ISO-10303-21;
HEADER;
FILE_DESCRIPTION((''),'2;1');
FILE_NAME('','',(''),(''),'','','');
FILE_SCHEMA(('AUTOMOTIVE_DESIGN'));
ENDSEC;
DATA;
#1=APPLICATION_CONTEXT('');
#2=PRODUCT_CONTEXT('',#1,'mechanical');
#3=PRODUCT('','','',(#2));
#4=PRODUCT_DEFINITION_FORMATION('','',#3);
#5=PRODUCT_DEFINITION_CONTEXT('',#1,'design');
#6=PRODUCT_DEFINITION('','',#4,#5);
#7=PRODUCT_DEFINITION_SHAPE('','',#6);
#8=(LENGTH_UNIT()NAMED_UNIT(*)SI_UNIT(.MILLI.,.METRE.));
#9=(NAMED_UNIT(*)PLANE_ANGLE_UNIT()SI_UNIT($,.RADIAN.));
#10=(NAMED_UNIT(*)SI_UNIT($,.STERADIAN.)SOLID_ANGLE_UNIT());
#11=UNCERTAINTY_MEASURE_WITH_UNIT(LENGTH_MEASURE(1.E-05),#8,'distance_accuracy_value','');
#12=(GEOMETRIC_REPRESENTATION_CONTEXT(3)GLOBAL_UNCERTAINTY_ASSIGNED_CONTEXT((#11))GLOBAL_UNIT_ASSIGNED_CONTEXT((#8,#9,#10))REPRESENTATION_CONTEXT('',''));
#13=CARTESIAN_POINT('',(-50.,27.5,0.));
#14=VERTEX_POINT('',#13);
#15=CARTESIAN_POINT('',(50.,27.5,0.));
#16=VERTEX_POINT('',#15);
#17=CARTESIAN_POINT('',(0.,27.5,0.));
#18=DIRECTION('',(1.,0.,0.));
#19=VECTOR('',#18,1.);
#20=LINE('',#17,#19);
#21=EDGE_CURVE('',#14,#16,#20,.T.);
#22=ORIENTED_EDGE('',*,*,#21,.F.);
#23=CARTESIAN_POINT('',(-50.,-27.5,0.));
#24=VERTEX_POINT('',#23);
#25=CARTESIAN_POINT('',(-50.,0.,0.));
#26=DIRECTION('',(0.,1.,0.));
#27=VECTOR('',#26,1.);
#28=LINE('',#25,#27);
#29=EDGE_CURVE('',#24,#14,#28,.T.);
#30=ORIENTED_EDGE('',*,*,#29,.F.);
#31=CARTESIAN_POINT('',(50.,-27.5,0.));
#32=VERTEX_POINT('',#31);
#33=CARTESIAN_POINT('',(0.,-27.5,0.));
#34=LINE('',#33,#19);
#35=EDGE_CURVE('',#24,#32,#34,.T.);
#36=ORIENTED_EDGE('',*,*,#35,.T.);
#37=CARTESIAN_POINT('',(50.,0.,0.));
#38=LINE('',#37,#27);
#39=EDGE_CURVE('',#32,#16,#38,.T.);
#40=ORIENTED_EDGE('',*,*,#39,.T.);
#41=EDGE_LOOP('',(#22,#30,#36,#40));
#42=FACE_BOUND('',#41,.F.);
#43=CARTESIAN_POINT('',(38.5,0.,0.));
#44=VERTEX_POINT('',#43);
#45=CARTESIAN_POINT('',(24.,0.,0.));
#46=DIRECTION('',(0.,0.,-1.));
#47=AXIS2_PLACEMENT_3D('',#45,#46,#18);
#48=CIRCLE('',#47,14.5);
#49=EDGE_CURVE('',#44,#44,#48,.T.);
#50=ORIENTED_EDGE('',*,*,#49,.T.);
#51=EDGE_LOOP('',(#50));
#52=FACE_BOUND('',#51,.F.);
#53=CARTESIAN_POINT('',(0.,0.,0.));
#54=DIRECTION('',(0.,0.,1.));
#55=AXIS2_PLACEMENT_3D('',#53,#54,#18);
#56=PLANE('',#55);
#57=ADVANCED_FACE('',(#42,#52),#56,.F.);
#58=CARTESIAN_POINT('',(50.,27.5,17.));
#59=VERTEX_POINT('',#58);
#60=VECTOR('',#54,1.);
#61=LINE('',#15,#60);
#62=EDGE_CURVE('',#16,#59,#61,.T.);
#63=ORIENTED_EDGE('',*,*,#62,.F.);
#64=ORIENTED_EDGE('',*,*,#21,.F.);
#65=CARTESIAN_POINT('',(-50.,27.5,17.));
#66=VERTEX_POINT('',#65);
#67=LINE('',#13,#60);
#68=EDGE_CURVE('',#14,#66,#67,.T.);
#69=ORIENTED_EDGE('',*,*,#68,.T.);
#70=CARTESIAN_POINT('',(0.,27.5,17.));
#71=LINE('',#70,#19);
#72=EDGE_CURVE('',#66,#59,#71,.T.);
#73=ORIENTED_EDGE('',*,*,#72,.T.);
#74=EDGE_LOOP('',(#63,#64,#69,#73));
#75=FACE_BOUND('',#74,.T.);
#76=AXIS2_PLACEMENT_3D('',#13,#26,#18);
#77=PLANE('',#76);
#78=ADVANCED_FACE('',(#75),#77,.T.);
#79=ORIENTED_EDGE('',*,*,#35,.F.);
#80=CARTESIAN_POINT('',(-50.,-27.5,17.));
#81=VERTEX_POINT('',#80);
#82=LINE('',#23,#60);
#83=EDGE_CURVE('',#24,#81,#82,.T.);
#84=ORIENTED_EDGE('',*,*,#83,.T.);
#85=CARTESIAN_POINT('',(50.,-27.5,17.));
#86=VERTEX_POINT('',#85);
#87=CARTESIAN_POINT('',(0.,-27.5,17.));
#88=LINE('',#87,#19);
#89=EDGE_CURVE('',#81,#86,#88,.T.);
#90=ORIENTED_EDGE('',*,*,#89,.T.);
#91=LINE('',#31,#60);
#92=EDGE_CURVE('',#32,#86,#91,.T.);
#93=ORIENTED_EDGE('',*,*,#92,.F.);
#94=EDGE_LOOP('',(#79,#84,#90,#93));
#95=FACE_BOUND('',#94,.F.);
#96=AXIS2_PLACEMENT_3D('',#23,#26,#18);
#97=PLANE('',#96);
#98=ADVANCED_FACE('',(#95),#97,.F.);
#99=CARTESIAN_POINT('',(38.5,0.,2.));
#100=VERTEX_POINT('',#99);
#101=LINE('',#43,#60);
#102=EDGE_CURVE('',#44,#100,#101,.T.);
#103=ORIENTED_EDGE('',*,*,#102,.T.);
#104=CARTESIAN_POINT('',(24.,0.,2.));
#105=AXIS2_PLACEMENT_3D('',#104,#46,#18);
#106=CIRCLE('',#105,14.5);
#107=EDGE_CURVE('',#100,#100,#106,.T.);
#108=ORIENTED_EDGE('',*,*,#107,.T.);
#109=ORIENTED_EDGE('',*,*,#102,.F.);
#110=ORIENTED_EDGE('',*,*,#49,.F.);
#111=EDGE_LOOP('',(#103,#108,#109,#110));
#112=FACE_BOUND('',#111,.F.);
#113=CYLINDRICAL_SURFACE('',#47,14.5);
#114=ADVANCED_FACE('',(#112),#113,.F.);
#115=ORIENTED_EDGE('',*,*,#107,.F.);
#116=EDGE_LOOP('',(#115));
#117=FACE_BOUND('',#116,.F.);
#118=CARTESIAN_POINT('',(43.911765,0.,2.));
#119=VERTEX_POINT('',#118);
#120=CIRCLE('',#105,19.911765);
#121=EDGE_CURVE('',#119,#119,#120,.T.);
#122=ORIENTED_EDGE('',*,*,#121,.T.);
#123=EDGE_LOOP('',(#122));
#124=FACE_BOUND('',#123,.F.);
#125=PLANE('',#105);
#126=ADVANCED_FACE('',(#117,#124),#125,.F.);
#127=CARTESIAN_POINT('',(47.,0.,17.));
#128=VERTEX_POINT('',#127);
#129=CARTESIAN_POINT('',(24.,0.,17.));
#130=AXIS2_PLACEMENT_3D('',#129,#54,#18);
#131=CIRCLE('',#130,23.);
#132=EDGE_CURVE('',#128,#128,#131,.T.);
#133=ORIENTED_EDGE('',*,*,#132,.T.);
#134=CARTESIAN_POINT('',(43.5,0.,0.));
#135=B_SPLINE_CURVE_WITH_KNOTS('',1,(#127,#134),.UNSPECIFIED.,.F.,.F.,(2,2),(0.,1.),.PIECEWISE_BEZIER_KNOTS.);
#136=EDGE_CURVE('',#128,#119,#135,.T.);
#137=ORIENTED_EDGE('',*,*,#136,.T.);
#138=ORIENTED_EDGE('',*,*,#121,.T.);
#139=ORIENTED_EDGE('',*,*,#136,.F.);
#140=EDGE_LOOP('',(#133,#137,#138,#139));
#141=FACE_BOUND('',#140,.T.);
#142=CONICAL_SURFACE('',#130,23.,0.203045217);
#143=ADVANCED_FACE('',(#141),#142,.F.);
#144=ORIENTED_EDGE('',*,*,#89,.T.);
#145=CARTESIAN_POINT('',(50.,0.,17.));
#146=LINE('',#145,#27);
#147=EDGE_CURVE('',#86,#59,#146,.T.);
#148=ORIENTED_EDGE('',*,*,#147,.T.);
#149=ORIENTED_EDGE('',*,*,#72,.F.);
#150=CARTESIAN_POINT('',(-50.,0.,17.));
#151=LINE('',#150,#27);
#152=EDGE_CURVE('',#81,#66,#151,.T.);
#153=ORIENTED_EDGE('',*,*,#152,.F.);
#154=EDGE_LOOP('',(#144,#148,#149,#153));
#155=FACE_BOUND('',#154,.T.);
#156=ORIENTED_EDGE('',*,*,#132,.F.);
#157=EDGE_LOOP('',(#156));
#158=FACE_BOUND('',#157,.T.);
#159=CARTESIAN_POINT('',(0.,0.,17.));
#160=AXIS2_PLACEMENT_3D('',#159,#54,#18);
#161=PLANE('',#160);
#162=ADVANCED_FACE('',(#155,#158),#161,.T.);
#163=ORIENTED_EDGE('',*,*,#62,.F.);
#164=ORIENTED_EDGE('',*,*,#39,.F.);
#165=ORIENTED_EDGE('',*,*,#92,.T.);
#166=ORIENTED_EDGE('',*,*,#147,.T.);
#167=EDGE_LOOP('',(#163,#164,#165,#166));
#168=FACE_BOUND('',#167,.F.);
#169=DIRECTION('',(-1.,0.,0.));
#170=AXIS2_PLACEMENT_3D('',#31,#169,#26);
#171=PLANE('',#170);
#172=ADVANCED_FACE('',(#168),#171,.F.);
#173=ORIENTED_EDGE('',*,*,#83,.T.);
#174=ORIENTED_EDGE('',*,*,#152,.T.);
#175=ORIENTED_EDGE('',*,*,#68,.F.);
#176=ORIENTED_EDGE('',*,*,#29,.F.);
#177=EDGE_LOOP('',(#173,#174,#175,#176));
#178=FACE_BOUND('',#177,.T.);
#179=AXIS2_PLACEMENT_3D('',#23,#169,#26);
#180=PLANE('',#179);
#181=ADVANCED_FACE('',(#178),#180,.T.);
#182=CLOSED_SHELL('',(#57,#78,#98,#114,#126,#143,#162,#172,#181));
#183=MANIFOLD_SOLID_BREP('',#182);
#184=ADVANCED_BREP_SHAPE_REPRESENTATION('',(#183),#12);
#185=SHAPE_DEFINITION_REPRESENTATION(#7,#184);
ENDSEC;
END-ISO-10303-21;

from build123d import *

# Parameters (mm, degrees)
F0_W     = 100
F0_H     = 55
F1_DEPTH = 17
F3_R     = 23
F2_R     = 19.5
F5_R     = 14.5
F5_R_2   = 20.5
F6_DEPTH = 2


with BuildPart() as f1:
    # F0 (on Top) → F1 (new body)
    with BuildSketch(Plane.XY):
        Rectangle(F0_W, F0_H)
    extrude(amount=F1_DEPTH)

    # F3 (on face) → F4 section 0
    with BuildSketch(Plane.XY.offset(17)):
        with Locations((24, 0)):
            Circle(F3_R)
    # F2 (on face) → F4 section 1
    with BuildSketch(Plane(origin=(0, 0, 0), x_dir=(1, 0, 0), z_dir=(0, 0, -1))):
        with Locations((24, 0)):
            Circle(F2_R)
    loft(mode=Mode.SUBTRACT)

    # F5 (on face) → F6 (join)
    with BuildSketch(Plane(origin=(0, 0, 0), x_dir=(1, 0, 0), z_dir=(0, 0, -1))):
        with Locations((24, 0)):
            Circle(F5_R)
        with Locations((24, 0)):
            Circle(F5_R_2)
        with Locations((24, 0)):
            Circle(F5_R, mode=Mode.SUBTRACT)
    extrude(amount=-F6_DEPTH)


solid = f1.part
